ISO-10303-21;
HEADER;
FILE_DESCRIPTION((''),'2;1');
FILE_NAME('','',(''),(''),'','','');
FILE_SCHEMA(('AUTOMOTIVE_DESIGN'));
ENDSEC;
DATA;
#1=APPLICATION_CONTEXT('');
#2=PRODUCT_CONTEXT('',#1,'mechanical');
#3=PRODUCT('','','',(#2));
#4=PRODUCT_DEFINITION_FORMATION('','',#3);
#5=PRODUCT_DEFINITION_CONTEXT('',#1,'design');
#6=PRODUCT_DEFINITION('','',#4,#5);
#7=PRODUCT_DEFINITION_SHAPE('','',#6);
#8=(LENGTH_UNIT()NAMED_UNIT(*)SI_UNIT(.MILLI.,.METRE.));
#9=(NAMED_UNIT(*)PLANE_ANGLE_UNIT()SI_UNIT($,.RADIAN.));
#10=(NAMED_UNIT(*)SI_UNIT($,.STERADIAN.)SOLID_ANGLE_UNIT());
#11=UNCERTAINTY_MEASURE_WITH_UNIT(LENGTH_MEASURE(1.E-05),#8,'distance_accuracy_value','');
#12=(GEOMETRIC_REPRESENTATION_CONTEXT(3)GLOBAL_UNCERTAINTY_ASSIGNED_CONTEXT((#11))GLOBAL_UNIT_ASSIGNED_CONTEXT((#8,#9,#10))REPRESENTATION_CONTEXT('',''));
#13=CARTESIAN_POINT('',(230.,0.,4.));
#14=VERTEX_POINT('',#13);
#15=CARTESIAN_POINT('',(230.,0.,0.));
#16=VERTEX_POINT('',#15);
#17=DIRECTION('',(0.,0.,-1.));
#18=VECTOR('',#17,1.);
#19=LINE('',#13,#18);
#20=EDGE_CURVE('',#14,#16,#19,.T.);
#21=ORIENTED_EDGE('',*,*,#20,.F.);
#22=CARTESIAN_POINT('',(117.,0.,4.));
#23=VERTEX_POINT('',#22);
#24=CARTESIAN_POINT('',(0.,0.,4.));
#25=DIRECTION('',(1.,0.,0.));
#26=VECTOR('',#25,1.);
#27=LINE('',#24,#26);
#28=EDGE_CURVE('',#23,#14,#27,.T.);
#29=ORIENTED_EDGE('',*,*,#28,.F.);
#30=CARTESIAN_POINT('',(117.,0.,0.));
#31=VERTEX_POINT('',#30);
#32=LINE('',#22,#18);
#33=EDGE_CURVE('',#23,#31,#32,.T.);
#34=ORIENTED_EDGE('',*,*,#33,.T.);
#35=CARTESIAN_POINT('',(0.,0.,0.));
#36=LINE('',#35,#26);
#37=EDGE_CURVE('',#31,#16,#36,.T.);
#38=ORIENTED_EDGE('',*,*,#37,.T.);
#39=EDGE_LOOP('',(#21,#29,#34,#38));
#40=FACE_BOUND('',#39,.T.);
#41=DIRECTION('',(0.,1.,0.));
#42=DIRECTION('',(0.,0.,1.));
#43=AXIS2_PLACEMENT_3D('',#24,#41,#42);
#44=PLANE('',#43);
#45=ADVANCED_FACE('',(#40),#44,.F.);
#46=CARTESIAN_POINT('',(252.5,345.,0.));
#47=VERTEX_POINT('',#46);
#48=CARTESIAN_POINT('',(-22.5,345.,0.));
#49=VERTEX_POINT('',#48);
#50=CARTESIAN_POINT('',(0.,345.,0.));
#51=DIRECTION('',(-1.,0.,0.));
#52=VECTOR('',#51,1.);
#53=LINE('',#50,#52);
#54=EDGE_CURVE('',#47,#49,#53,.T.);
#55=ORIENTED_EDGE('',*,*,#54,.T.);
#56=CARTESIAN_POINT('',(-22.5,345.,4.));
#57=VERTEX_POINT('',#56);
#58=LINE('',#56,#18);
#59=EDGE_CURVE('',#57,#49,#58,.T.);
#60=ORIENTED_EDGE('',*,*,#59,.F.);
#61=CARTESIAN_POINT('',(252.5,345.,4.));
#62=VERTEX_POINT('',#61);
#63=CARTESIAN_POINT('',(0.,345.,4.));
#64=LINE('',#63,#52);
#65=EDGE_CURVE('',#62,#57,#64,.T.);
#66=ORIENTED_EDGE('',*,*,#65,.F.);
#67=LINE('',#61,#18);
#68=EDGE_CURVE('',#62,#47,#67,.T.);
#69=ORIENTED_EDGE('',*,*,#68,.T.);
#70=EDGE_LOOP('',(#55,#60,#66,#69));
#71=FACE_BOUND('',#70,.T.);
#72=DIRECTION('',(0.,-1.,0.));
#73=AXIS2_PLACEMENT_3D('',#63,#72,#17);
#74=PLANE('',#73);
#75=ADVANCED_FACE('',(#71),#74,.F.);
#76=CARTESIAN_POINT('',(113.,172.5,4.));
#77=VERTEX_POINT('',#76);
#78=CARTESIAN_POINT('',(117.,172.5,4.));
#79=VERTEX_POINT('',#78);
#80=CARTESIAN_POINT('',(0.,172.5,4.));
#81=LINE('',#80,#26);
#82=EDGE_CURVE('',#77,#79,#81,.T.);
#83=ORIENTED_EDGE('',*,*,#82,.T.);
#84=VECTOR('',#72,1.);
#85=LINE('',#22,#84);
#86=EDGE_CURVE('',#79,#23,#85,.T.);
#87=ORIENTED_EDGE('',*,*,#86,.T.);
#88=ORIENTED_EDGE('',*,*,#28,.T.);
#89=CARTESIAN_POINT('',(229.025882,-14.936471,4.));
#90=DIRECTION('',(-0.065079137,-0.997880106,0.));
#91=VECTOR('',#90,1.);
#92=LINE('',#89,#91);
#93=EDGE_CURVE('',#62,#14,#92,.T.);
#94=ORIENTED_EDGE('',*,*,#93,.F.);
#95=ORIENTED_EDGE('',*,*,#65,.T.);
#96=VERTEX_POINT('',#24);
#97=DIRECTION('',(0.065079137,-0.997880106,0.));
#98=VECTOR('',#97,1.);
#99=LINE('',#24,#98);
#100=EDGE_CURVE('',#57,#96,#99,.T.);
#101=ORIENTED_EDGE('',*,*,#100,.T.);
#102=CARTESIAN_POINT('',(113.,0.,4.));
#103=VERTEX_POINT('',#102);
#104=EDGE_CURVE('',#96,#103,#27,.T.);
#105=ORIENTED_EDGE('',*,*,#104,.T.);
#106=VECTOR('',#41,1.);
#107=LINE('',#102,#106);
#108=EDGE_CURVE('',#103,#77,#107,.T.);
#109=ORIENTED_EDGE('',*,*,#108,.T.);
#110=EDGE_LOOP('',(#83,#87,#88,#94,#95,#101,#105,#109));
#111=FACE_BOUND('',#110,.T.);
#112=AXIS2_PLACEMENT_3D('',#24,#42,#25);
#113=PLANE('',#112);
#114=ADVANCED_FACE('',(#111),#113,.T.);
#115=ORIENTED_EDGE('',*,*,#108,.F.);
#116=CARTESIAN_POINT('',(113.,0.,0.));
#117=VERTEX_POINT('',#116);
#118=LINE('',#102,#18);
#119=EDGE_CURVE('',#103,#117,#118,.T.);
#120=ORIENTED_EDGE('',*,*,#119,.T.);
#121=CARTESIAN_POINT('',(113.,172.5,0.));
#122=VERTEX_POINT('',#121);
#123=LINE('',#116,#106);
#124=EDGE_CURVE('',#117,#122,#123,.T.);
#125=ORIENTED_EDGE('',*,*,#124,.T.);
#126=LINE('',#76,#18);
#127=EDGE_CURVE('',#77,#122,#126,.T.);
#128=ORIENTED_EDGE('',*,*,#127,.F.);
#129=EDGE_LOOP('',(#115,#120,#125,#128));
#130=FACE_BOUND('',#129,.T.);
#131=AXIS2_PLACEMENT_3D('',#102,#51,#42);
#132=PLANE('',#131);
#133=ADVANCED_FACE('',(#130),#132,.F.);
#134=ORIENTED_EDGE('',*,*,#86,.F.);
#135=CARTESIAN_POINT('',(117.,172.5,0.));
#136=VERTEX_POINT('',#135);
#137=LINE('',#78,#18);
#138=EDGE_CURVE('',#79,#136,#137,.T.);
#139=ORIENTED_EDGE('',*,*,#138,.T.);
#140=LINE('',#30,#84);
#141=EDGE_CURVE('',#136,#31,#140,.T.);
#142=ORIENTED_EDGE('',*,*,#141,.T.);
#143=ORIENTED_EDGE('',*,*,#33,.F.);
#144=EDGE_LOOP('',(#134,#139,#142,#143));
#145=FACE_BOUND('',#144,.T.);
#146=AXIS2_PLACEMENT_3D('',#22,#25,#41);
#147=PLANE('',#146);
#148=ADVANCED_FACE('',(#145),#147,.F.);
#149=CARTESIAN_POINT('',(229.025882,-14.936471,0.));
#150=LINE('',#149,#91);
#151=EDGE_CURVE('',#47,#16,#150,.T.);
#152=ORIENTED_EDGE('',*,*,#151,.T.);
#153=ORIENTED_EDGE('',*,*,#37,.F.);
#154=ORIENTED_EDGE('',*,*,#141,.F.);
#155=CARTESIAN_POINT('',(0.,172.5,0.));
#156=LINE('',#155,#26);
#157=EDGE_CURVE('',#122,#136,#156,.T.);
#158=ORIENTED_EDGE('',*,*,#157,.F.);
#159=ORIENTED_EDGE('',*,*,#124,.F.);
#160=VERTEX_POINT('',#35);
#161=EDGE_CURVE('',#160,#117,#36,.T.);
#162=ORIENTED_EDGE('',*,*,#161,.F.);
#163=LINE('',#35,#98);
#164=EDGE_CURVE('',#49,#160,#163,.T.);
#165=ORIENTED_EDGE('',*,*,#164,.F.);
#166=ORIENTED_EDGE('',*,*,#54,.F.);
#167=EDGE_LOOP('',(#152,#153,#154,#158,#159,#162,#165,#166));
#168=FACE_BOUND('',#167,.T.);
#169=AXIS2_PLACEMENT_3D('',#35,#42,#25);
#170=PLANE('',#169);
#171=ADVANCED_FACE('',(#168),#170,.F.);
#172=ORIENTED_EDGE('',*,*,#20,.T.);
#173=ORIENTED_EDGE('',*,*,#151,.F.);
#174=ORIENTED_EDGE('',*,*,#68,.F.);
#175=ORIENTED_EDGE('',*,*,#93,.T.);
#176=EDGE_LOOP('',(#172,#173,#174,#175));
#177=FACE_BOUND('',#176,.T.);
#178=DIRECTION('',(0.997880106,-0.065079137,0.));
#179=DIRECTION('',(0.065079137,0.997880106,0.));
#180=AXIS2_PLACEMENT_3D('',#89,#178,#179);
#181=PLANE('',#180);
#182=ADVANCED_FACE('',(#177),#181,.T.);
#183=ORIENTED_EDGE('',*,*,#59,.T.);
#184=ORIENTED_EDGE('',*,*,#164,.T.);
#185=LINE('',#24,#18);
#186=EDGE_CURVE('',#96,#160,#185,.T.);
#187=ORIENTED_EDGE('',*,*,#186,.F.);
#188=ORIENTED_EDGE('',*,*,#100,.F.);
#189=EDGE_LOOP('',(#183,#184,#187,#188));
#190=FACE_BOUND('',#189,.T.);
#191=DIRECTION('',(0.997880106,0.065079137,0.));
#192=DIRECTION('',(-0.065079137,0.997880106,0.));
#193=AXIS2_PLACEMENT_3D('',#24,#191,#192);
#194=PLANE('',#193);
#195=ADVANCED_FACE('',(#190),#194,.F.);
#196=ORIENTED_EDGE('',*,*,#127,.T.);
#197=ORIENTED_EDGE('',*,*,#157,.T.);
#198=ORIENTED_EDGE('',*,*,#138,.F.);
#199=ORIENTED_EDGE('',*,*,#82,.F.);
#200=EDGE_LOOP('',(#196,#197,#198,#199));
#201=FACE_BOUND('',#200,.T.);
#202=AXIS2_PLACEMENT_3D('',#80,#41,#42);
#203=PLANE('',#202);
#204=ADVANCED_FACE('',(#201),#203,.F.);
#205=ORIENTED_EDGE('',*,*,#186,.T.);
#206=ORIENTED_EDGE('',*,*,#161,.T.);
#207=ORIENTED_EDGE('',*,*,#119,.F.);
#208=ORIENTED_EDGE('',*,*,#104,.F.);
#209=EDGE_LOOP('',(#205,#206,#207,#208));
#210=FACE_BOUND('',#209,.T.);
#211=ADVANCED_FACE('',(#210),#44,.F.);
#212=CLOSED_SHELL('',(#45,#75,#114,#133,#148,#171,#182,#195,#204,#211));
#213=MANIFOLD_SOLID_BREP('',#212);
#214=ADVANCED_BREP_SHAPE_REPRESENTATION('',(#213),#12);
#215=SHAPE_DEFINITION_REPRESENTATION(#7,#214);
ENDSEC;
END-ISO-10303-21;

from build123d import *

# Parameters (mm, degrees)
BOSS_EXTRUDE1_DEPTH = 4


with BuildPart() as part:
    # Sketch4 → Boss-Extrude1 (new body)
    with BuildSketch(Plane.XY):
        Polygon((-22.5, 345), (0, 0), (113, 0), (113, 172.5), (117, 172.5), (117, 0), (230, 0), (252.5, 345), align=None)
    extrude(amount=BOSS_EXTRUDE1_DEPTH)


solid = part.part
